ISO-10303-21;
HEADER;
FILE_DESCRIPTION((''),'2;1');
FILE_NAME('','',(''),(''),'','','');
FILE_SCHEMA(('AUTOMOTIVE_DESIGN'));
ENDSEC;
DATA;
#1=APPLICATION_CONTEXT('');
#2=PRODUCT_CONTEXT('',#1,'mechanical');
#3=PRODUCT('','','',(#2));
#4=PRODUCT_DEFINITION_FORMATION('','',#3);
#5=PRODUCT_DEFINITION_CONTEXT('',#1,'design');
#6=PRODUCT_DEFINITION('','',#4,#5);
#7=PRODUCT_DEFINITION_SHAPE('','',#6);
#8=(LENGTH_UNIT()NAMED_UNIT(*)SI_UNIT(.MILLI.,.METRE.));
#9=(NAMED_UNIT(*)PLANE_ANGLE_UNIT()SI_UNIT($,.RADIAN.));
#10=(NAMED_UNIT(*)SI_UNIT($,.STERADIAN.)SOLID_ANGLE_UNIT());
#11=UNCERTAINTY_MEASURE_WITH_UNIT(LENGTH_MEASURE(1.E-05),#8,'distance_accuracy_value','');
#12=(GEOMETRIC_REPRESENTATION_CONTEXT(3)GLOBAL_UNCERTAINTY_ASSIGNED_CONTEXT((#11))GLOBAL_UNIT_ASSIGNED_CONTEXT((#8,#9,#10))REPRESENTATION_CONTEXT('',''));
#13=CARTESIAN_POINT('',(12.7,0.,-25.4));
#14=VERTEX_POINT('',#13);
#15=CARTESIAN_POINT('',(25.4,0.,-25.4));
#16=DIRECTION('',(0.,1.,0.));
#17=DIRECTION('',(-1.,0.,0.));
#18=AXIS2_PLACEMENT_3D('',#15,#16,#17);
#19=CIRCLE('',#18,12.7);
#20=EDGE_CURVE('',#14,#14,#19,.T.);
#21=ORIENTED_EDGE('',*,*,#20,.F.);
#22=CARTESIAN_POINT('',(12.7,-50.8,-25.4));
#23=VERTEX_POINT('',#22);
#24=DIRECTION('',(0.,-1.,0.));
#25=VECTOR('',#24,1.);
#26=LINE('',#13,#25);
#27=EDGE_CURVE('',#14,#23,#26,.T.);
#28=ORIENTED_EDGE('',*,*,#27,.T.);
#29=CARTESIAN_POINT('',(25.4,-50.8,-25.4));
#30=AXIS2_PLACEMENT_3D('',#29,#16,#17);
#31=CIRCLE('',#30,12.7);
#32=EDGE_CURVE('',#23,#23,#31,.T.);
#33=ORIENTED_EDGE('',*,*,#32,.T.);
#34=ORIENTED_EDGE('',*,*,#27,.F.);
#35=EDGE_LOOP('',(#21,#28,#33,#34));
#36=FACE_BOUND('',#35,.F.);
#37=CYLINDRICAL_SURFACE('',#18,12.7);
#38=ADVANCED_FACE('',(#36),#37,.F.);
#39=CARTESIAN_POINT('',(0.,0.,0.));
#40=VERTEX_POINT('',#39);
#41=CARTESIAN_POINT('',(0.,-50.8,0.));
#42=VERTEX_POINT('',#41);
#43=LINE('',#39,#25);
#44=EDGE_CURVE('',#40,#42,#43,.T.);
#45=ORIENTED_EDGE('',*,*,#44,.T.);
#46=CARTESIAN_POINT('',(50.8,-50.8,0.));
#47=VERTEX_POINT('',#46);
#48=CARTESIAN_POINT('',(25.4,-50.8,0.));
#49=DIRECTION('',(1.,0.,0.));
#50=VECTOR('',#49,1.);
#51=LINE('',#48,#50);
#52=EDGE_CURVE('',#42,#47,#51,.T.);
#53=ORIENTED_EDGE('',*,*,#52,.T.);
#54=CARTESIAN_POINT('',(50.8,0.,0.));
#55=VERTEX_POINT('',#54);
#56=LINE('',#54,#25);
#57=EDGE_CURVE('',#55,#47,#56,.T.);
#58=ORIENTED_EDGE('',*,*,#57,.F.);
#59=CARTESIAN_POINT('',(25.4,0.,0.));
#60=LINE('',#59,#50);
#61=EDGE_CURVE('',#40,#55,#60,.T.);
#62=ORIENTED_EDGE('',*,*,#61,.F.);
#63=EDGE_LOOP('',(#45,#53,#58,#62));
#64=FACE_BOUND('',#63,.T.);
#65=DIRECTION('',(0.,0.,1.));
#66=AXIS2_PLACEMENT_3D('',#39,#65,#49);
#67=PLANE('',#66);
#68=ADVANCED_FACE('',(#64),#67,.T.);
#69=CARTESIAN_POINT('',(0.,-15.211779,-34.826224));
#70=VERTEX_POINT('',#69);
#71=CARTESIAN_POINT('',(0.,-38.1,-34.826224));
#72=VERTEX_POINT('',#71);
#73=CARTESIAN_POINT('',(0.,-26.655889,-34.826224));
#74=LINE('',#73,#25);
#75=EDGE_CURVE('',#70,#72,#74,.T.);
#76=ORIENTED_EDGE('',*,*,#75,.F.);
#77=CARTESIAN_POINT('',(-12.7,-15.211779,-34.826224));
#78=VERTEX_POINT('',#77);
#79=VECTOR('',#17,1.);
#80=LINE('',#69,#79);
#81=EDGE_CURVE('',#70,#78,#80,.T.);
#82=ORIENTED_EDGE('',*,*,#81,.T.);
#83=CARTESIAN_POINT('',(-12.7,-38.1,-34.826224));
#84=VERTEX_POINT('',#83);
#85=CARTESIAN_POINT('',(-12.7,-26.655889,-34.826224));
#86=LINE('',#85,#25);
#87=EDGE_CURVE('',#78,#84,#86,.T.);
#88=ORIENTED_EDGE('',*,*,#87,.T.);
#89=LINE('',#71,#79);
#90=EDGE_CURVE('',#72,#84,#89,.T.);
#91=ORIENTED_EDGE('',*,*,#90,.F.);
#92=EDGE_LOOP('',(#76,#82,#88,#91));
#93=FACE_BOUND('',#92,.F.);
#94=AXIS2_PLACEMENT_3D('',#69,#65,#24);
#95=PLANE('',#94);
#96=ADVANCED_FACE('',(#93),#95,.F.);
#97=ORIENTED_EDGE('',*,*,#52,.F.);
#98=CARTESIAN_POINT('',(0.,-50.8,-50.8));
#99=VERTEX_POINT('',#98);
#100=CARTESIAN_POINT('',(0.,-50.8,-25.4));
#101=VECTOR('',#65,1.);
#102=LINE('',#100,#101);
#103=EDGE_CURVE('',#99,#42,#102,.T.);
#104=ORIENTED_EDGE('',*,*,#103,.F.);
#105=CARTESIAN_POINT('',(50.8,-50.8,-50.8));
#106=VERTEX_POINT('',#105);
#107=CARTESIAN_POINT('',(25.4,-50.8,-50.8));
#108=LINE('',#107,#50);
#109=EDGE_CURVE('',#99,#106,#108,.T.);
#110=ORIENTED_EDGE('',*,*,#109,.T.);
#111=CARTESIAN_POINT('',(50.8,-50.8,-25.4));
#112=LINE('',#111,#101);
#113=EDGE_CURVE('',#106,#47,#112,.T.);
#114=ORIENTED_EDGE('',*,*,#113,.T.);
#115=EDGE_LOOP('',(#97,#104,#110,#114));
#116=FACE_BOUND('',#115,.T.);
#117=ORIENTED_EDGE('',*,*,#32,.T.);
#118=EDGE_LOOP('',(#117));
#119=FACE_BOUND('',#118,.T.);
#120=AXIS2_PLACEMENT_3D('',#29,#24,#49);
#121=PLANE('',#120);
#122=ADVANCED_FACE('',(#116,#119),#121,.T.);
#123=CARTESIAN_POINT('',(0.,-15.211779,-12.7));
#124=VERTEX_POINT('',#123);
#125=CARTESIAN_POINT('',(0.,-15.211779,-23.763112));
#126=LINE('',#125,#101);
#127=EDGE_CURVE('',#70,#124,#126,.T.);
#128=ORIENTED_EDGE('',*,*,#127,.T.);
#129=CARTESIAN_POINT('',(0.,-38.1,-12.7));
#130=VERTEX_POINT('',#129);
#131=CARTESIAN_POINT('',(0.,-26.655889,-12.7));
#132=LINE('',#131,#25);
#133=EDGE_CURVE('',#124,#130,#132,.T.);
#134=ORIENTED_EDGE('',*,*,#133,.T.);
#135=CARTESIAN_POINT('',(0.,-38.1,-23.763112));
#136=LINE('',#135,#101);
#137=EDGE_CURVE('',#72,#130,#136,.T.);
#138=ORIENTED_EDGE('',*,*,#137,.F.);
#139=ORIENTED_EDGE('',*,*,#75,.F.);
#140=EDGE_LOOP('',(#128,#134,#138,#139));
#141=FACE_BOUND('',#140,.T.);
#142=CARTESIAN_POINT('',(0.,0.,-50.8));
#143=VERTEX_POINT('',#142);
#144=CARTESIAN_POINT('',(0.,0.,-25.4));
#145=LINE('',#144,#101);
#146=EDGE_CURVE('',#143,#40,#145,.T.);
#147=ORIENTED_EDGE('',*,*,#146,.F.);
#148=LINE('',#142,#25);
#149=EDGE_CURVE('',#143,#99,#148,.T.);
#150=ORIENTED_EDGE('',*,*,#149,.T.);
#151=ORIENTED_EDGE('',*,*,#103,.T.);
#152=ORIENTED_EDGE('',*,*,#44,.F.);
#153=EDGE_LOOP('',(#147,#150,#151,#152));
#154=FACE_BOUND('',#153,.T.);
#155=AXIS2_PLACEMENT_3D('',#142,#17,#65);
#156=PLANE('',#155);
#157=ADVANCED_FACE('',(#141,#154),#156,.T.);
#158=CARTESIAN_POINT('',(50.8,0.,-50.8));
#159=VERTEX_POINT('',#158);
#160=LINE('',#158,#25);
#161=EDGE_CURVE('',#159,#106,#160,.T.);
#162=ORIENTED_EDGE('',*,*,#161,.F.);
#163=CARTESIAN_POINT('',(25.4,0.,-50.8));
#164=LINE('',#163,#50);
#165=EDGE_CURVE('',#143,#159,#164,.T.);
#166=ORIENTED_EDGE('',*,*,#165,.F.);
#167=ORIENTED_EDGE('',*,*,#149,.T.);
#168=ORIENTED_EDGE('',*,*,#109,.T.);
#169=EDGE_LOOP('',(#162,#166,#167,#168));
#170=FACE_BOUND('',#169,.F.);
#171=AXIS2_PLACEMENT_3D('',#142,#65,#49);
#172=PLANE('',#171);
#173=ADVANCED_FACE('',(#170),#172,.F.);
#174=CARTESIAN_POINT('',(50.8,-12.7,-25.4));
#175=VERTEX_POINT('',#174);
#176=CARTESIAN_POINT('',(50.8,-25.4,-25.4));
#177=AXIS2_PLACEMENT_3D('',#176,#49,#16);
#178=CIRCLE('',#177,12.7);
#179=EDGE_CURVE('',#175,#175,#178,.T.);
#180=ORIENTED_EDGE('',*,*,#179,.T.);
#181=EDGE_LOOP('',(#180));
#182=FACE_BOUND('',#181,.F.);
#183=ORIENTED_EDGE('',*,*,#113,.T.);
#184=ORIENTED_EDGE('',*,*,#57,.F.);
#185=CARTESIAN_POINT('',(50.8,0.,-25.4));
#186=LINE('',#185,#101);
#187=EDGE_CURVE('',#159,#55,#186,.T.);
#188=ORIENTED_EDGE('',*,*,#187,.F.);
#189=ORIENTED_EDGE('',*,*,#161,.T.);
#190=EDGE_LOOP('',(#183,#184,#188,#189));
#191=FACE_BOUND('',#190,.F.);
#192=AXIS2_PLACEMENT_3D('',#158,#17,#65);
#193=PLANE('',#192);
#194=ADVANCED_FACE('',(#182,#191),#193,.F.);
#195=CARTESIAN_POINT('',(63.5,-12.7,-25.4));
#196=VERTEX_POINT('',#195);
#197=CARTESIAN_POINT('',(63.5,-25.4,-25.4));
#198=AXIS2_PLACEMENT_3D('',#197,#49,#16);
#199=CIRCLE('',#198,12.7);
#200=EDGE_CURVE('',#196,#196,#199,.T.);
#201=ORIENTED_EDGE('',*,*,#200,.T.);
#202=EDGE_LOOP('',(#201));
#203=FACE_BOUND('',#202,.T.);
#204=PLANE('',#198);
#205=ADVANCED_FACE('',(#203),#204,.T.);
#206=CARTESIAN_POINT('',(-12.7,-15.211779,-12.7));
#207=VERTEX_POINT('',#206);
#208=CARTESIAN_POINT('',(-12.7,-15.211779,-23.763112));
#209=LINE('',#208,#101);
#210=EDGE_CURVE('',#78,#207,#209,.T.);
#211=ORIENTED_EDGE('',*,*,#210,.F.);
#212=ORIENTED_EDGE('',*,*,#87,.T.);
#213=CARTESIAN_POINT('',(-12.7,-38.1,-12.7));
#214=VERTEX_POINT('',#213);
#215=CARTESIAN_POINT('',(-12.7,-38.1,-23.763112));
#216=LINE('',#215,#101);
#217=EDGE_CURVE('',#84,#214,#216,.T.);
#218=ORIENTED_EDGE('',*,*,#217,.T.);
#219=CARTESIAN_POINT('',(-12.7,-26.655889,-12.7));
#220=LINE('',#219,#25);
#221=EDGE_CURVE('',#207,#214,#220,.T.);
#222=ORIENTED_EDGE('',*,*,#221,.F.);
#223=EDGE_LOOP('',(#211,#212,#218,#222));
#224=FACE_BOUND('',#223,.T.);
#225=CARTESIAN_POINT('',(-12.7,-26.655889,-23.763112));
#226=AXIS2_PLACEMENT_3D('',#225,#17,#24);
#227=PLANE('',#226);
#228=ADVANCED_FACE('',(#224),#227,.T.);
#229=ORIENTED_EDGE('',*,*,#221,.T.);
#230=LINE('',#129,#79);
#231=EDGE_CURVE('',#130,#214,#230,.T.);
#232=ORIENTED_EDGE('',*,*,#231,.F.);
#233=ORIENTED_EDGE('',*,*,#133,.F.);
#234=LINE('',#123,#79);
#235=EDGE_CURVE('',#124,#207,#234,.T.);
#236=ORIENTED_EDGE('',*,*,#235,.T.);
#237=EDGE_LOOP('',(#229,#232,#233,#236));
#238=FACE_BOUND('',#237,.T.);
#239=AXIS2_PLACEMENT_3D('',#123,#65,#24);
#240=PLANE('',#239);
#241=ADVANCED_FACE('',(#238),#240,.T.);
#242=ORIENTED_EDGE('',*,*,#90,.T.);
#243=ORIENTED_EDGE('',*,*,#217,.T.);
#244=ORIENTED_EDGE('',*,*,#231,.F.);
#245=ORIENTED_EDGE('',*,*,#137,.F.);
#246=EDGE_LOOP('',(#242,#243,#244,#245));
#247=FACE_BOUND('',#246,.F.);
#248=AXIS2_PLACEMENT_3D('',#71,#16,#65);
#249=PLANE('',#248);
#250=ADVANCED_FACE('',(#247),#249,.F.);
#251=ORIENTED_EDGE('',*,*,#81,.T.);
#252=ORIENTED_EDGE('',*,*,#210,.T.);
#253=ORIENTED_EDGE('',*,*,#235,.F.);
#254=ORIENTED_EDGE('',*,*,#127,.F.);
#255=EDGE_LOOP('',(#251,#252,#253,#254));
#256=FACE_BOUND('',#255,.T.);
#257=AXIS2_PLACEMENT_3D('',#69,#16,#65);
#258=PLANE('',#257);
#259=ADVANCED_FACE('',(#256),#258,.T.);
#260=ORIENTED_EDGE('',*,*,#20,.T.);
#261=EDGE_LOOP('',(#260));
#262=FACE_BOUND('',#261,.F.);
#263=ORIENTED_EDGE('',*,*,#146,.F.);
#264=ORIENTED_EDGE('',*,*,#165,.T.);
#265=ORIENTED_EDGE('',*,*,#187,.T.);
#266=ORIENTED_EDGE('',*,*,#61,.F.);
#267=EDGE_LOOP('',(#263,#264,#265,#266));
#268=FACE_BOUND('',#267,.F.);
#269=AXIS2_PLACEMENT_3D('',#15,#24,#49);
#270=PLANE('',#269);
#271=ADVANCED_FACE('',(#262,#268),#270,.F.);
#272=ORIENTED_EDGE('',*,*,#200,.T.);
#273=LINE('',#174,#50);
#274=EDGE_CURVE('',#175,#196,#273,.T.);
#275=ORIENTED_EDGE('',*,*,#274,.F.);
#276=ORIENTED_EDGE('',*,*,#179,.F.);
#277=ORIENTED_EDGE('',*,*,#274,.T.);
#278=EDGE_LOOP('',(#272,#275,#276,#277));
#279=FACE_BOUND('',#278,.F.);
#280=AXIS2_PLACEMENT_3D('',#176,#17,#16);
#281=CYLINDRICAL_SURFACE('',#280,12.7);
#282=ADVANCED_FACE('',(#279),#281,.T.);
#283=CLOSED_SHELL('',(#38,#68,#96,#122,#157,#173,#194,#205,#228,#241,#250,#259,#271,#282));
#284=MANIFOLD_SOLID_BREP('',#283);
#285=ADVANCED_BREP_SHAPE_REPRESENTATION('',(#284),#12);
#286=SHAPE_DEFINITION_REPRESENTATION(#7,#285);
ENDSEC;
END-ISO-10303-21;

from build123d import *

# Parameters (mm, degrees)
F0_W     = 50.8
F0_H     = 50.8
F1_DEPTH = 50.8
F2_R     = 12.7
F3_DEPTH = 50.8
F4_W     = 22.8882213071
F4_H     = 22.126223892
F5_DEPTH = 12.7
F6_R     = 12.7
F7_DEPTH = 12.7


with BuildPart() as f1:
    # F0 (on Front) → F1 (new body)
    with BuildSketch(Plane.XZ):
        with Locations((25.4, -25.4)):
            Rectangle(F0_W, F0_H)
    extrude(amount=F1_DEPTH)

    # F2 (on face) → F3 (cut)
    with BuildSketch(Plane(origin=(0, 0, 0), x_dir=(-1, 0, 0), z_dir=(0, 1, 0))):
        with Locations((-25.4, -25.4)):
            Circle(F2_R)
    extrude(amount=-F3_DEPTH, mode=Mode.SUBTRACT)

    # F4 (on face) → F5 (join)
    with BuildSketch(Plane(origin=(0, 0, 0), x_dir=(0, -1, 0), z_dir=(-1, 0, 0))):
        with Locations((26.6558893465, -23.763111946)):
            Rectangle(F4_W, F4_H)
    extrude(amount=F5_DEPTH)

    # F6 (on face) → F7 (join)
    with BuildSketch(Plane.YZ.offset(50.8)):
        with Locations((-25.4, -25.4)):
            Circle(F6_R)
    extrude(amount=F7_DEPTH)


solid = f1.part
